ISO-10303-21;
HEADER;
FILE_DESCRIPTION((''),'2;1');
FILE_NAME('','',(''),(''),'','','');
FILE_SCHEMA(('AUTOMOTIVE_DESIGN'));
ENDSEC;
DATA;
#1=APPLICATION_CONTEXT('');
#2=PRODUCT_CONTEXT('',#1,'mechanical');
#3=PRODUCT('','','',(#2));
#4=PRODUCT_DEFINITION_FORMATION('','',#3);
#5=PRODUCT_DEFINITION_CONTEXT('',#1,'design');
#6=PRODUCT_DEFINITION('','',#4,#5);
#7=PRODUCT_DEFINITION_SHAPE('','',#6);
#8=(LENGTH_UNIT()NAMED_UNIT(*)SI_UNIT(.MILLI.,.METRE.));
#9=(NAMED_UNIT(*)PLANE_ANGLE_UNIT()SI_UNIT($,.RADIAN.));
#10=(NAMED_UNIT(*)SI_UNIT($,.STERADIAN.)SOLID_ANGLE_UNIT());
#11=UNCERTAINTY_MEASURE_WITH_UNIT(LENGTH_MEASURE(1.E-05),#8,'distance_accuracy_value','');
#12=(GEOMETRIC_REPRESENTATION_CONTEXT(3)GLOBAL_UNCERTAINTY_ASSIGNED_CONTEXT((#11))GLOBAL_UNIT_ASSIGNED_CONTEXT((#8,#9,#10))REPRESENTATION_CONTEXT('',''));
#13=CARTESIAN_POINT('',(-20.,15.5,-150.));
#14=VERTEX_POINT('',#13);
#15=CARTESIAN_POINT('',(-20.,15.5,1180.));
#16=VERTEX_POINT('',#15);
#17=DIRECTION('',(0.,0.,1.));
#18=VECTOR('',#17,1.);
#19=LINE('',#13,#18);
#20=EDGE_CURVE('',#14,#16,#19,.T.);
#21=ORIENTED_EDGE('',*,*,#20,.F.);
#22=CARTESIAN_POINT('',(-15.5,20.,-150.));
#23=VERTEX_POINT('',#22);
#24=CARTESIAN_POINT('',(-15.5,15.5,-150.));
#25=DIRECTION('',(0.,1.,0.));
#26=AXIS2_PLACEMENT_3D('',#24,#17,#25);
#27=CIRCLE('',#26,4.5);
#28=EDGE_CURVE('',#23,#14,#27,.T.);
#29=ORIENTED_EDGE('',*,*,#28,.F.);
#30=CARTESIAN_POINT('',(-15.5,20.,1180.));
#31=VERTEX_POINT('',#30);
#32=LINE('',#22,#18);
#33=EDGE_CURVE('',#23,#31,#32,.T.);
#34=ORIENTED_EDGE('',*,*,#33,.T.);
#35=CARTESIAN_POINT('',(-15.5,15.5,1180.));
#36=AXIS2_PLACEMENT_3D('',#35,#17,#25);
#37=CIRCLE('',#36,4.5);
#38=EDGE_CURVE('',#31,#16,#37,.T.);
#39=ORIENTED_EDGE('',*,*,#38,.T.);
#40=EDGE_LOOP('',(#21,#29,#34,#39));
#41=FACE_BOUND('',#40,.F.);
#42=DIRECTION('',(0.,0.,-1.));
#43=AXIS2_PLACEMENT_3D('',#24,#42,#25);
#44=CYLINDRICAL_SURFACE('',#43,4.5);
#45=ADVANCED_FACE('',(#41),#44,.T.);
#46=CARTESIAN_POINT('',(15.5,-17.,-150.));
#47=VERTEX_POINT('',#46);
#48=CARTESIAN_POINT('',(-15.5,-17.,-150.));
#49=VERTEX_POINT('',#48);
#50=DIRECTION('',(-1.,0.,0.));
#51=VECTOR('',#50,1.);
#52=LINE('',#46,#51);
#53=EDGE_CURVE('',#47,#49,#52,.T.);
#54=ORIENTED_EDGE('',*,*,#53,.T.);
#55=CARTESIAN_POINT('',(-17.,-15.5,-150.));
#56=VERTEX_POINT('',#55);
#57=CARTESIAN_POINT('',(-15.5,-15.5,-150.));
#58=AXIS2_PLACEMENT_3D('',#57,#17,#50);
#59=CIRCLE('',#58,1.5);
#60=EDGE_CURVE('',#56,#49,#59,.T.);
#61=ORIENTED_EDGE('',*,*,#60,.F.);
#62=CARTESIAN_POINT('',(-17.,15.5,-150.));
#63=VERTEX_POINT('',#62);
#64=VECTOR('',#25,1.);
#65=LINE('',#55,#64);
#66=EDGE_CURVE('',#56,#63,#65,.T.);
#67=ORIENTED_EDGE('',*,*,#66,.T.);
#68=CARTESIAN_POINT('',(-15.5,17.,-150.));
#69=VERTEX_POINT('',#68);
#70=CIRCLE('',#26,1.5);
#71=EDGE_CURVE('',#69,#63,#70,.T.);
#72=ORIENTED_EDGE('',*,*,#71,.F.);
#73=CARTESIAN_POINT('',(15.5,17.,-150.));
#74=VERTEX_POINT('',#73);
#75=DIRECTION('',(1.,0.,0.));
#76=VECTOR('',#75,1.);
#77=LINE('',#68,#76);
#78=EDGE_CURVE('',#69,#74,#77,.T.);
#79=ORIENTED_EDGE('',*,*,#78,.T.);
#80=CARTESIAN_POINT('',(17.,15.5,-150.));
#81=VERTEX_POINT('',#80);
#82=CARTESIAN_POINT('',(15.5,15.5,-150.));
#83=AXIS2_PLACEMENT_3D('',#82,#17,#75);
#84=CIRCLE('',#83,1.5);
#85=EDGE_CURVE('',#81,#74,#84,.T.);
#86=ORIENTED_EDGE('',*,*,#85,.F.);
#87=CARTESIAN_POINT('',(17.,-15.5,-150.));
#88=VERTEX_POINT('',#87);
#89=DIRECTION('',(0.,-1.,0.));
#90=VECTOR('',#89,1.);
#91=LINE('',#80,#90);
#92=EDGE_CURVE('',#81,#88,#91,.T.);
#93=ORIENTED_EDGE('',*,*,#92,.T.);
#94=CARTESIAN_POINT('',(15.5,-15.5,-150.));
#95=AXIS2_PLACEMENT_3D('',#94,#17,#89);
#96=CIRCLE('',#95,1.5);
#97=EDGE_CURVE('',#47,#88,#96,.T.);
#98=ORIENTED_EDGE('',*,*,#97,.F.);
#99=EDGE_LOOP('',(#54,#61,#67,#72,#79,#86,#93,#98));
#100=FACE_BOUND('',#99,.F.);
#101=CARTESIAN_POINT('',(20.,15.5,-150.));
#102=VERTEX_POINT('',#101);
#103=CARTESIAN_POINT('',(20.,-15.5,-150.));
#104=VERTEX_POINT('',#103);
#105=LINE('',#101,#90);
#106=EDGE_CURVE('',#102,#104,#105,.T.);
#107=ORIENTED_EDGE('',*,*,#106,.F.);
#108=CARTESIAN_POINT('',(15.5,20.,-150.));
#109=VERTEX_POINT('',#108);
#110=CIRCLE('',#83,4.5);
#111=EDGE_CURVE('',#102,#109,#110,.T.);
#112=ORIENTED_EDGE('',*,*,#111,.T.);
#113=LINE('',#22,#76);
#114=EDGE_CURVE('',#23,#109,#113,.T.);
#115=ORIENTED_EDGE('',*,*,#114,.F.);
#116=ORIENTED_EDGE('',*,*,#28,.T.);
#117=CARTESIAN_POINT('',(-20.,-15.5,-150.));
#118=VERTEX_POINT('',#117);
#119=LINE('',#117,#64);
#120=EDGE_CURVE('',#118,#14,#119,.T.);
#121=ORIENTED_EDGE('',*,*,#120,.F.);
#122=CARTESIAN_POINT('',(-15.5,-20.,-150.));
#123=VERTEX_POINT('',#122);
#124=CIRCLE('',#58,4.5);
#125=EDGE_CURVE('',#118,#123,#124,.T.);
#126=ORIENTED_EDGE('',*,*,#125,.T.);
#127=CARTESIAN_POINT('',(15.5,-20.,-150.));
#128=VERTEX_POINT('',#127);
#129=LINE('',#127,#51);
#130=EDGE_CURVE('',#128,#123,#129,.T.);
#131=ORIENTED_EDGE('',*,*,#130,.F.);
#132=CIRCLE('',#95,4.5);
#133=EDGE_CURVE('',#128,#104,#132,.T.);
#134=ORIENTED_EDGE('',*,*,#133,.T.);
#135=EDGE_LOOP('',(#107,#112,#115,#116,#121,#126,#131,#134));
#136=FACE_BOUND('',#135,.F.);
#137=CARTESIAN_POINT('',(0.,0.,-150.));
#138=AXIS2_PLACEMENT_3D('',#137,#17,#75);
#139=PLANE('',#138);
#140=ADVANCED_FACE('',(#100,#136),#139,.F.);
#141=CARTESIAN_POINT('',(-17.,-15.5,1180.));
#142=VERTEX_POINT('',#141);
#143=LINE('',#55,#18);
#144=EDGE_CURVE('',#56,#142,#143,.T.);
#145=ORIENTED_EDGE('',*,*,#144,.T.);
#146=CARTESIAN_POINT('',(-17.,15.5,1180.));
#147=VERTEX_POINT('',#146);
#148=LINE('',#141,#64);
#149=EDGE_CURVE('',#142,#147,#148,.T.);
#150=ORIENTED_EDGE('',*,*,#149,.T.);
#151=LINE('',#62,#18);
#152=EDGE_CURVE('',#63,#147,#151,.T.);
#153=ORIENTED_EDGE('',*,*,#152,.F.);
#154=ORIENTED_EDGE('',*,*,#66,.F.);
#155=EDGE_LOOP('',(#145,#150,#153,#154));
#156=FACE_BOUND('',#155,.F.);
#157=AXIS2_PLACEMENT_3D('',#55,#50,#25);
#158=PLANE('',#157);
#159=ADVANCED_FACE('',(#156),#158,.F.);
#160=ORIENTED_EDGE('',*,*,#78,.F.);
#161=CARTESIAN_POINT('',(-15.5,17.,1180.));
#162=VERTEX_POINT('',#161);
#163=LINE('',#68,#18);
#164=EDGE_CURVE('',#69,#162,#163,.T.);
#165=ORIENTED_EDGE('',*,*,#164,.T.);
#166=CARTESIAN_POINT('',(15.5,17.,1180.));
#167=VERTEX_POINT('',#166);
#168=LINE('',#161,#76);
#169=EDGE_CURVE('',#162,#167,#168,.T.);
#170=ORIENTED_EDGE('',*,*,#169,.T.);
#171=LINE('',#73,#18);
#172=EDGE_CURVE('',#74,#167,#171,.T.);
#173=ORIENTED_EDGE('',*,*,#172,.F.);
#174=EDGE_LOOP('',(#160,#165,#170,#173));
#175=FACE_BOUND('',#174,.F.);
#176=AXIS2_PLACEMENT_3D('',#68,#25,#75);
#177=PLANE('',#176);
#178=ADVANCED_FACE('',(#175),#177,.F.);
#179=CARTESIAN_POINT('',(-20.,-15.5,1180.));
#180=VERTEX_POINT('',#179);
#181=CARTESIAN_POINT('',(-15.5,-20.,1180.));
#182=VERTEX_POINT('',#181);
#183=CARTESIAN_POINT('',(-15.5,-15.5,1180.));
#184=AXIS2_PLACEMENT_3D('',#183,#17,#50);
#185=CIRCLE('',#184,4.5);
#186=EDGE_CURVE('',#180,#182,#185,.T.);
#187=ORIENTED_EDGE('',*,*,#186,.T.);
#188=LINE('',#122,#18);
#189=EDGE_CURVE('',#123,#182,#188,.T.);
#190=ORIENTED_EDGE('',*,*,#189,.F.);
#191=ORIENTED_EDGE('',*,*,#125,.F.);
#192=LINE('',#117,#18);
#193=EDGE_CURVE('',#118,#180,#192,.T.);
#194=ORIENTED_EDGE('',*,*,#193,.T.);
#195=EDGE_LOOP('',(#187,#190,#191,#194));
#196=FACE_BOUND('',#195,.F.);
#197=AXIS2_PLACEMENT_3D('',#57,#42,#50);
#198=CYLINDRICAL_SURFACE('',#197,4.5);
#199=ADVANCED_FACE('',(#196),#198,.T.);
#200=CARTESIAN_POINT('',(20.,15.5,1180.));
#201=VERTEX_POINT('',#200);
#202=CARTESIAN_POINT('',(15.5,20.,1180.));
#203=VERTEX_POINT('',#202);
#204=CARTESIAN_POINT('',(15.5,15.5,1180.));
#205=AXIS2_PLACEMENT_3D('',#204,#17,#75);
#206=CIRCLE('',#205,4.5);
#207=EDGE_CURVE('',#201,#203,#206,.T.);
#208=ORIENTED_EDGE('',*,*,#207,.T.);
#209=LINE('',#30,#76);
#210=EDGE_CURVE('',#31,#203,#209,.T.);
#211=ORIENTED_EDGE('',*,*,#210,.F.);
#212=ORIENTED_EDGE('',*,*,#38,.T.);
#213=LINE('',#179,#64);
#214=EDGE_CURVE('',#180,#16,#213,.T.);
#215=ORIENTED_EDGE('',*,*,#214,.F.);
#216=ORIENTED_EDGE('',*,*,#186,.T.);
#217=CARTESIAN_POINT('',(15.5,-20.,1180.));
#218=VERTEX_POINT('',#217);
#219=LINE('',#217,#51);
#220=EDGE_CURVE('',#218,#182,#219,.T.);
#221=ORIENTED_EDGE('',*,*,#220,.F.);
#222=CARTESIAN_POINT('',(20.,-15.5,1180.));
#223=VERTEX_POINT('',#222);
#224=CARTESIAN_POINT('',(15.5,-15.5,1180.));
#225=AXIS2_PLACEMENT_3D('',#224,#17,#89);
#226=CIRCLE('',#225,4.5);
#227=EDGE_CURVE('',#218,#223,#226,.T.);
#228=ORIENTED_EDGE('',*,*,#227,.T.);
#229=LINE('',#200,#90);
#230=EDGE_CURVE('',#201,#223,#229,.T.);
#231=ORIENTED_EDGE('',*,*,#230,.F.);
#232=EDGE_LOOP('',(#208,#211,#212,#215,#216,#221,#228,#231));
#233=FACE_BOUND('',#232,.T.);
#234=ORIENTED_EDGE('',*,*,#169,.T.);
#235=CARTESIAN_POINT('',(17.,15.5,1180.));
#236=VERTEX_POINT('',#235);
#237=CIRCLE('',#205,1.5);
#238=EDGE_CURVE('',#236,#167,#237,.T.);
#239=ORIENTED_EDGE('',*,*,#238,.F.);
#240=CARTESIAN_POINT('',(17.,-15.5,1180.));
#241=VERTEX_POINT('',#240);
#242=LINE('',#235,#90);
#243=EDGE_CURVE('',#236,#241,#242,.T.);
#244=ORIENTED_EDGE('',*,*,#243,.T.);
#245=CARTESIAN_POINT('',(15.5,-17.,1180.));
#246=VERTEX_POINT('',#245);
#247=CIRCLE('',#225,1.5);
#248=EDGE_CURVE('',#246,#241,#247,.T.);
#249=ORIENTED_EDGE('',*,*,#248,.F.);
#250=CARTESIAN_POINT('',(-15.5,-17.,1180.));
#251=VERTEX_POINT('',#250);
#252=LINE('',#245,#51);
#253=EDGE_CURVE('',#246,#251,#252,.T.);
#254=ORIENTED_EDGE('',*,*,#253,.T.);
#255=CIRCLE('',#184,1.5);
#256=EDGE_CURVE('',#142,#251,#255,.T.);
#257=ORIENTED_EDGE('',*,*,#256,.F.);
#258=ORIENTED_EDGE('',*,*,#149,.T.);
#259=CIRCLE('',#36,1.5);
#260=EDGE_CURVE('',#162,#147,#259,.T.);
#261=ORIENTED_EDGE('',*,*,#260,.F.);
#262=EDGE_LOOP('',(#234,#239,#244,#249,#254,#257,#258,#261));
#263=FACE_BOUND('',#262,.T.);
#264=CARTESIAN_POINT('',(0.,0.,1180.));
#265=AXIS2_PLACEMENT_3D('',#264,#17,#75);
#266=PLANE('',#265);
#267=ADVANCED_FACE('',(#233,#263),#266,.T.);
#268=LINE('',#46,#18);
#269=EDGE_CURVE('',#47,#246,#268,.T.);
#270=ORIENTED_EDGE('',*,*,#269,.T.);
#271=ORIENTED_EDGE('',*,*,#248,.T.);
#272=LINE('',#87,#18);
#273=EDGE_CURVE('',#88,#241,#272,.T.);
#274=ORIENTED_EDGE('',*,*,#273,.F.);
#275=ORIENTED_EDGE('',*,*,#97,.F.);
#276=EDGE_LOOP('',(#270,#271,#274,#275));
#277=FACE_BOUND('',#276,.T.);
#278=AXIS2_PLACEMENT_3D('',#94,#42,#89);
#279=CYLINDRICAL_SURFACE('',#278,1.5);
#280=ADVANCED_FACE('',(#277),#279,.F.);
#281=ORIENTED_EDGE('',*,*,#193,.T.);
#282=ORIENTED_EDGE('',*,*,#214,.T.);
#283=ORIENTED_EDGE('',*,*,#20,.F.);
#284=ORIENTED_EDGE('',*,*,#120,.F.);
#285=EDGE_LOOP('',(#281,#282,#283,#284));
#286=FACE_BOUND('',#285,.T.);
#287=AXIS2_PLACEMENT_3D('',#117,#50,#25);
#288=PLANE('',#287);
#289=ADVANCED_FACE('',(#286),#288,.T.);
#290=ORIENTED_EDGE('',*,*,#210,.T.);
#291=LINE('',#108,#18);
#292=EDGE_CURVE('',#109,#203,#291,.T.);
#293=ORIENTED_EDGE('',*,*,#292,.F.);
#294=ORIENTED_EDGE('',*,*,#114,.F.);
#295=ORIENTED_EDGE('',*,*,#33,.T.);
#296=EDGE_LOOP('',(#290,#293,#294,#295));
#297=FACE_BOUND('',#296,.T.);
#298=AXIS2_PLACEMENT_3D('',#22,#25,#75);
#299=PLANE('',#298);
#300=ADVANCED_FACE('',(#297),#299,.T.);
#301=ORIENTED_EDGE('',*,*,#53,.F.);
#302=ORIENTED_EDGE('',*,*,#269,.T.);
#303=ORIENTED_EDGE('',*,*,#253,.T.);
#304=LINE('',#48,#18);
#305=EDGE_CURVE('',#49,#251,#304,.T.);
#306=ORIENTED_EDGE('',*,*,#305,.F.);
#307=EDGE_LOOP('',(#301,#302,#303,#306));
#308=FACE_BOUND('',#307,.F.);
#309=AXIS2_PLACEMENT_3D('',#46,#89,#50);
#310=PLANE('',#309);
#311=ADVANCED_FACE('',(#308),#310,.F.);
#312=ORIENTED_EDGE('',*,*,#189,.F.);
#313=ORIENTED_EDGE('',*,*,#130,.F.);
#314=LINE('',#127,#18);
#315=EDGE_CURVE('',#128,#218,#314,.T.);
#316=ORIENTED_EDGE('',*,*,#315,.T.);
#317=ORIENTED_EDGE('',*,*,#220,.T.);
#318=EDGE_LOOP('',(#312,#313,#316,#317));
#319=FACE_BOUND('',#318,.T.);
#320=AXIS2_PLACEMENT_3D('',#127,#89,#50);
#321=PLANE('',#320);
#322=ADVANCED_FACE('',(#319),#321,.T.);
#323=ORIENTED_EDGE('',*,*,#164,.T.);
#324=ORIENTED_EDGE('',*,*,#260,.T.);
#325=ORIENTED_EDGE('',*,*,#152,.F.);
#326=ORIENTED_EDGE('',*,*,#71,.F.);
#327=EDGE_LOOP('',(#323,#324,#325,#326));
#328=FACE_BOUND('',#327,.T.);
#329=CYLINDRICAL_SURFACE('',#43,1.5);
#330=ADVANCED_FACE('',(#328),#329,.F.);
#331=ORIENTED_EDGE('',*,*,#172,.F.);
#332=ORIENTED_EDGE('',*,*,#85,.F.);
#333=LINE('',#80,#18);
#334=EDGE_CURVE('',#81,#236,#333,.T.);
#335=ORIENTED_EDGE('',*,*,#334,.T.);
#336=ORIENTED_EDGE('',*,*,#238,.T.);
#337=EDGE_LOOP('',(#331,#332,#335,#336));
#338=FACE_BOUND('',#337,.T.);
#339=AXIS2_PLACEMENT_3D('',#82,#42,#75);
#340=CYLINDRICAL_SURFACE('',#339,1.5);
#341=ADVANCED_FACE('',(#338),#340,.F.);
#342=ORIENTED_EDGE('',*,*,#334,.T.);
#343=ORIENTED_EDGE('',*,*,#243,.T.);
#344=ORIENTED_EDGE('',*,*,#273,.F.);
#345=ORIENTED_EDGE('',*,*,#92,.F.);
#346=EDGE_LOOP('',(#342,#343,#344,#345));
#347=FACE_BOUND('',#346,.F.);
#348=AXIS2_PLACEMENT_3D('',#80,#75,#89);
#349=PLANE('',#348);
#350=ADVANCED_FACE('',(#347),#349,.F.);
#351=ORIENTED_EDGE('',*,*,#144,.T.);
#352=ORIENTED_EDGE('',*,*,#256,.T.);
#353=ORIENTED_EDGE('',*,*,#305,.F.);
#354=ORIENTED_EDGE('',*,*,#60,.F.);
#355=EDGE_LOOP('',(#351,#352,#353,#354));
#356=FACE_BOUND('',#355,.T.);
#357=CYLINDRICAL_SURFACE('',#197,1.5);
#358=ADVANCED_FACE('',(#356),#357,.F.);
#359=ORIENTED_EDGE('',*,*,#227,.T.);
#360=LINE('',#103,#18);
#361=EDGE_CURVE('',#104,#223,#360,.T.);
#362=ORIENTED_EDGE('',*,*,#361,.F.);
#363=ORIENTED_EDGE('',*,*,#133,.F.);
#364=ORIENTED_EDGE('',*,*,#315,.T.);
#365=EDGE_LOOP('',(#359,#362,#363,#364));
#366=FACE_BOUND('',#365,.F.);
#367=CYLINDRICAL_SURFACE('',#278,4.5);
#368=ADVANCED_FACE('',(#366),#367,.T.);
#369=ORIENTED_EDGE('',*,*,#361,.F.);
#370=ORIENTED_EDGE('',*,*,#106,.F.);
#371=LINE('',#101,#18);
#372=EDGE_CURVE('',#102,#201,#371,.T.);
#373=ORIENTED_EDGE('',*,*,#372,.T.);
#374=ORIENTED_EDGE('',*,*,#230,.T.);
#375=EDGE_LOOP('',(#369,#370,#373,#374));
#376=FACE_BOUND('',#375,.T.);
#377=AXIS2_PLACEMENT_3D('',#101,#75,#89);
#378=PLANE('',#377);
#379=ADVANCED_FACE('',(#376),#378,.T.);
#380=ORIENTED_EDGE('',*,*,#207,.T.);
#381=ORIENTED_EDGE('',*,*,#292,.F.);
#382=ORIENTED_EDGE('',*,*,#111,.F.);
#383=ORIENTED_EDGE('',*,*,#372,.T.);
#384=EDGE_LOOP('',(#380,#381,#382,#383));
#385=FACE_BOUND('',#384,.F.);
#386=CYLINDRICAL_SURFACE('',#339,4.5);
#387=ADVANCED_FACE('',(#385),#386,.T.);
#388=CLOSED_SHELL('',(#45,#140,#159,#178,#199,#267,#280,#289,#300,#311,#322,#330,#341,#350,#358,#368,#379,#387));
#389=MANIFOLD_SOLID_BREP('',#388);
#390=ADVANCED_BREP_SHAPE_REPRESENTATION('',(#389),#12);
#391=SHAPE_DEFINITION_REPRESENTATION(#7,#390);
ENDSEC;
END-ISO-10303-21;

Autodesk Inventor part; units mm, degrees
ref_plane "Start Plane" through (0, 0, -150) normal (0, 0, 1) x (1, 0, 0)
ref_plane "End Plane" through (0, 0, 1180) normal (0, 0, 1) x (1, 0, 0)
sketch "Sketch" plane through (0, 0, 0) normal (0, 0, 1) x (1, 0, 0)
  line L0 (-20, -15.5) -> (-20, 15.5)
  line L1 (-15.5, 20) -> (15.5, 20)
  line L2 (20, 15.5) -> (20, -15.5)
  line L3 (15.5, -20) -> (-15.5, -20)
  arc A0 (-20, -15.5) -> (-15.5, -20) centre (-15.5, -15.5) ccw
  arc A1 (-15.5, 20) -> (-20, 15.5) centre (-15.5, 15.5) ccw
  arc A2 (20, 15.5) -> (15.5, 20) centre (15.5, 15.5) ccw
  arc A3 (15.5, -20) -> (20, -15.5) centre (15.5, -15.5) ccw
  arc A4 (-15.5, 17) -> (-17, 15.5) centre (-15.5, 15.5) ccw
  line L4 (-15.5, 17) -> (15.5, 17)
  arc A5 (17, 15.5) -> (15.5, 17) centre (15.5, 15.5) ccw
  line L5 (17, 15.5) -> (17, -15.5)
  arc A6 (15.5, -17) -> (17, -15.5) centre (15.5, -15.5) ccw
  line L6 (15.5, -17) -> (-15.5, -17)
  arc A7 (-17, -15.5) -> (-15.5, -17) centre (-15.5, -15.5) ccw
  line L7 (-17, -15.5) -> (-17, 15.5)
  line L8 (0, 29.3048) -> (0, -29.3048) construction
  line L9 (-29.3048, 0) -> (29.3048, 0) construction
  dimension "d7" = 4.5
  dimension "d10" = 40
  dimension "d11" = 40
  dimension "d12" = 3
  dimension "d15" = 20
  dimension "d16" = 20
extrude "Body" add sketch "Sketch" along normal up to surface (1330 mm away) from surface at -150
sketch "Sketch3" plane through (0, 0, 0) normal (0, 0, 1) x (1, 0, 0)
  line L0 (0, 0) -> (10, 0)
ref_plane "Work Plane3" through (0, 0, 0) normal (0, -1, 0) x (1, 0, 0)
ref_plane "Work Plane4" through (0, -984.5, 1180) normal (0, 0, 1) x (1, 0, 0)
split "Split1" plane through (0, -984.5, 1180) removes the side toward (0, 0, 1)
sketch "Sketch4" plane through (0, 0, 0) normal (0, -1, 0) x (1, 0, 0)
  line L0 (-2, -150) -> (12, -150) projected
  line L1 (-2, 1180) -> (12, 1180) projected
  dimension "d18" = 1330
equation "\"d7\" = G_IR"
equation "\"d10\" = G_H"
equation "\"d11\" = G_W"
equation "\"d12\" = G_T"
equation "\"d15\" = 0.5 * d10"
equation "\"d16\" = 0.5 * d11"
equation "\"d3\" = G_L"
equation "\"G_W\" = 40"
equation "\"G_H\" = 40"
equation "\"G_T\" = 3"
equation "\"G_IR\" = 4.5"
equation "\"G_L\" = d18"
properties part number "ISO 12633-2 - 40x40x3 - 1330" material "Steel, Mild"
